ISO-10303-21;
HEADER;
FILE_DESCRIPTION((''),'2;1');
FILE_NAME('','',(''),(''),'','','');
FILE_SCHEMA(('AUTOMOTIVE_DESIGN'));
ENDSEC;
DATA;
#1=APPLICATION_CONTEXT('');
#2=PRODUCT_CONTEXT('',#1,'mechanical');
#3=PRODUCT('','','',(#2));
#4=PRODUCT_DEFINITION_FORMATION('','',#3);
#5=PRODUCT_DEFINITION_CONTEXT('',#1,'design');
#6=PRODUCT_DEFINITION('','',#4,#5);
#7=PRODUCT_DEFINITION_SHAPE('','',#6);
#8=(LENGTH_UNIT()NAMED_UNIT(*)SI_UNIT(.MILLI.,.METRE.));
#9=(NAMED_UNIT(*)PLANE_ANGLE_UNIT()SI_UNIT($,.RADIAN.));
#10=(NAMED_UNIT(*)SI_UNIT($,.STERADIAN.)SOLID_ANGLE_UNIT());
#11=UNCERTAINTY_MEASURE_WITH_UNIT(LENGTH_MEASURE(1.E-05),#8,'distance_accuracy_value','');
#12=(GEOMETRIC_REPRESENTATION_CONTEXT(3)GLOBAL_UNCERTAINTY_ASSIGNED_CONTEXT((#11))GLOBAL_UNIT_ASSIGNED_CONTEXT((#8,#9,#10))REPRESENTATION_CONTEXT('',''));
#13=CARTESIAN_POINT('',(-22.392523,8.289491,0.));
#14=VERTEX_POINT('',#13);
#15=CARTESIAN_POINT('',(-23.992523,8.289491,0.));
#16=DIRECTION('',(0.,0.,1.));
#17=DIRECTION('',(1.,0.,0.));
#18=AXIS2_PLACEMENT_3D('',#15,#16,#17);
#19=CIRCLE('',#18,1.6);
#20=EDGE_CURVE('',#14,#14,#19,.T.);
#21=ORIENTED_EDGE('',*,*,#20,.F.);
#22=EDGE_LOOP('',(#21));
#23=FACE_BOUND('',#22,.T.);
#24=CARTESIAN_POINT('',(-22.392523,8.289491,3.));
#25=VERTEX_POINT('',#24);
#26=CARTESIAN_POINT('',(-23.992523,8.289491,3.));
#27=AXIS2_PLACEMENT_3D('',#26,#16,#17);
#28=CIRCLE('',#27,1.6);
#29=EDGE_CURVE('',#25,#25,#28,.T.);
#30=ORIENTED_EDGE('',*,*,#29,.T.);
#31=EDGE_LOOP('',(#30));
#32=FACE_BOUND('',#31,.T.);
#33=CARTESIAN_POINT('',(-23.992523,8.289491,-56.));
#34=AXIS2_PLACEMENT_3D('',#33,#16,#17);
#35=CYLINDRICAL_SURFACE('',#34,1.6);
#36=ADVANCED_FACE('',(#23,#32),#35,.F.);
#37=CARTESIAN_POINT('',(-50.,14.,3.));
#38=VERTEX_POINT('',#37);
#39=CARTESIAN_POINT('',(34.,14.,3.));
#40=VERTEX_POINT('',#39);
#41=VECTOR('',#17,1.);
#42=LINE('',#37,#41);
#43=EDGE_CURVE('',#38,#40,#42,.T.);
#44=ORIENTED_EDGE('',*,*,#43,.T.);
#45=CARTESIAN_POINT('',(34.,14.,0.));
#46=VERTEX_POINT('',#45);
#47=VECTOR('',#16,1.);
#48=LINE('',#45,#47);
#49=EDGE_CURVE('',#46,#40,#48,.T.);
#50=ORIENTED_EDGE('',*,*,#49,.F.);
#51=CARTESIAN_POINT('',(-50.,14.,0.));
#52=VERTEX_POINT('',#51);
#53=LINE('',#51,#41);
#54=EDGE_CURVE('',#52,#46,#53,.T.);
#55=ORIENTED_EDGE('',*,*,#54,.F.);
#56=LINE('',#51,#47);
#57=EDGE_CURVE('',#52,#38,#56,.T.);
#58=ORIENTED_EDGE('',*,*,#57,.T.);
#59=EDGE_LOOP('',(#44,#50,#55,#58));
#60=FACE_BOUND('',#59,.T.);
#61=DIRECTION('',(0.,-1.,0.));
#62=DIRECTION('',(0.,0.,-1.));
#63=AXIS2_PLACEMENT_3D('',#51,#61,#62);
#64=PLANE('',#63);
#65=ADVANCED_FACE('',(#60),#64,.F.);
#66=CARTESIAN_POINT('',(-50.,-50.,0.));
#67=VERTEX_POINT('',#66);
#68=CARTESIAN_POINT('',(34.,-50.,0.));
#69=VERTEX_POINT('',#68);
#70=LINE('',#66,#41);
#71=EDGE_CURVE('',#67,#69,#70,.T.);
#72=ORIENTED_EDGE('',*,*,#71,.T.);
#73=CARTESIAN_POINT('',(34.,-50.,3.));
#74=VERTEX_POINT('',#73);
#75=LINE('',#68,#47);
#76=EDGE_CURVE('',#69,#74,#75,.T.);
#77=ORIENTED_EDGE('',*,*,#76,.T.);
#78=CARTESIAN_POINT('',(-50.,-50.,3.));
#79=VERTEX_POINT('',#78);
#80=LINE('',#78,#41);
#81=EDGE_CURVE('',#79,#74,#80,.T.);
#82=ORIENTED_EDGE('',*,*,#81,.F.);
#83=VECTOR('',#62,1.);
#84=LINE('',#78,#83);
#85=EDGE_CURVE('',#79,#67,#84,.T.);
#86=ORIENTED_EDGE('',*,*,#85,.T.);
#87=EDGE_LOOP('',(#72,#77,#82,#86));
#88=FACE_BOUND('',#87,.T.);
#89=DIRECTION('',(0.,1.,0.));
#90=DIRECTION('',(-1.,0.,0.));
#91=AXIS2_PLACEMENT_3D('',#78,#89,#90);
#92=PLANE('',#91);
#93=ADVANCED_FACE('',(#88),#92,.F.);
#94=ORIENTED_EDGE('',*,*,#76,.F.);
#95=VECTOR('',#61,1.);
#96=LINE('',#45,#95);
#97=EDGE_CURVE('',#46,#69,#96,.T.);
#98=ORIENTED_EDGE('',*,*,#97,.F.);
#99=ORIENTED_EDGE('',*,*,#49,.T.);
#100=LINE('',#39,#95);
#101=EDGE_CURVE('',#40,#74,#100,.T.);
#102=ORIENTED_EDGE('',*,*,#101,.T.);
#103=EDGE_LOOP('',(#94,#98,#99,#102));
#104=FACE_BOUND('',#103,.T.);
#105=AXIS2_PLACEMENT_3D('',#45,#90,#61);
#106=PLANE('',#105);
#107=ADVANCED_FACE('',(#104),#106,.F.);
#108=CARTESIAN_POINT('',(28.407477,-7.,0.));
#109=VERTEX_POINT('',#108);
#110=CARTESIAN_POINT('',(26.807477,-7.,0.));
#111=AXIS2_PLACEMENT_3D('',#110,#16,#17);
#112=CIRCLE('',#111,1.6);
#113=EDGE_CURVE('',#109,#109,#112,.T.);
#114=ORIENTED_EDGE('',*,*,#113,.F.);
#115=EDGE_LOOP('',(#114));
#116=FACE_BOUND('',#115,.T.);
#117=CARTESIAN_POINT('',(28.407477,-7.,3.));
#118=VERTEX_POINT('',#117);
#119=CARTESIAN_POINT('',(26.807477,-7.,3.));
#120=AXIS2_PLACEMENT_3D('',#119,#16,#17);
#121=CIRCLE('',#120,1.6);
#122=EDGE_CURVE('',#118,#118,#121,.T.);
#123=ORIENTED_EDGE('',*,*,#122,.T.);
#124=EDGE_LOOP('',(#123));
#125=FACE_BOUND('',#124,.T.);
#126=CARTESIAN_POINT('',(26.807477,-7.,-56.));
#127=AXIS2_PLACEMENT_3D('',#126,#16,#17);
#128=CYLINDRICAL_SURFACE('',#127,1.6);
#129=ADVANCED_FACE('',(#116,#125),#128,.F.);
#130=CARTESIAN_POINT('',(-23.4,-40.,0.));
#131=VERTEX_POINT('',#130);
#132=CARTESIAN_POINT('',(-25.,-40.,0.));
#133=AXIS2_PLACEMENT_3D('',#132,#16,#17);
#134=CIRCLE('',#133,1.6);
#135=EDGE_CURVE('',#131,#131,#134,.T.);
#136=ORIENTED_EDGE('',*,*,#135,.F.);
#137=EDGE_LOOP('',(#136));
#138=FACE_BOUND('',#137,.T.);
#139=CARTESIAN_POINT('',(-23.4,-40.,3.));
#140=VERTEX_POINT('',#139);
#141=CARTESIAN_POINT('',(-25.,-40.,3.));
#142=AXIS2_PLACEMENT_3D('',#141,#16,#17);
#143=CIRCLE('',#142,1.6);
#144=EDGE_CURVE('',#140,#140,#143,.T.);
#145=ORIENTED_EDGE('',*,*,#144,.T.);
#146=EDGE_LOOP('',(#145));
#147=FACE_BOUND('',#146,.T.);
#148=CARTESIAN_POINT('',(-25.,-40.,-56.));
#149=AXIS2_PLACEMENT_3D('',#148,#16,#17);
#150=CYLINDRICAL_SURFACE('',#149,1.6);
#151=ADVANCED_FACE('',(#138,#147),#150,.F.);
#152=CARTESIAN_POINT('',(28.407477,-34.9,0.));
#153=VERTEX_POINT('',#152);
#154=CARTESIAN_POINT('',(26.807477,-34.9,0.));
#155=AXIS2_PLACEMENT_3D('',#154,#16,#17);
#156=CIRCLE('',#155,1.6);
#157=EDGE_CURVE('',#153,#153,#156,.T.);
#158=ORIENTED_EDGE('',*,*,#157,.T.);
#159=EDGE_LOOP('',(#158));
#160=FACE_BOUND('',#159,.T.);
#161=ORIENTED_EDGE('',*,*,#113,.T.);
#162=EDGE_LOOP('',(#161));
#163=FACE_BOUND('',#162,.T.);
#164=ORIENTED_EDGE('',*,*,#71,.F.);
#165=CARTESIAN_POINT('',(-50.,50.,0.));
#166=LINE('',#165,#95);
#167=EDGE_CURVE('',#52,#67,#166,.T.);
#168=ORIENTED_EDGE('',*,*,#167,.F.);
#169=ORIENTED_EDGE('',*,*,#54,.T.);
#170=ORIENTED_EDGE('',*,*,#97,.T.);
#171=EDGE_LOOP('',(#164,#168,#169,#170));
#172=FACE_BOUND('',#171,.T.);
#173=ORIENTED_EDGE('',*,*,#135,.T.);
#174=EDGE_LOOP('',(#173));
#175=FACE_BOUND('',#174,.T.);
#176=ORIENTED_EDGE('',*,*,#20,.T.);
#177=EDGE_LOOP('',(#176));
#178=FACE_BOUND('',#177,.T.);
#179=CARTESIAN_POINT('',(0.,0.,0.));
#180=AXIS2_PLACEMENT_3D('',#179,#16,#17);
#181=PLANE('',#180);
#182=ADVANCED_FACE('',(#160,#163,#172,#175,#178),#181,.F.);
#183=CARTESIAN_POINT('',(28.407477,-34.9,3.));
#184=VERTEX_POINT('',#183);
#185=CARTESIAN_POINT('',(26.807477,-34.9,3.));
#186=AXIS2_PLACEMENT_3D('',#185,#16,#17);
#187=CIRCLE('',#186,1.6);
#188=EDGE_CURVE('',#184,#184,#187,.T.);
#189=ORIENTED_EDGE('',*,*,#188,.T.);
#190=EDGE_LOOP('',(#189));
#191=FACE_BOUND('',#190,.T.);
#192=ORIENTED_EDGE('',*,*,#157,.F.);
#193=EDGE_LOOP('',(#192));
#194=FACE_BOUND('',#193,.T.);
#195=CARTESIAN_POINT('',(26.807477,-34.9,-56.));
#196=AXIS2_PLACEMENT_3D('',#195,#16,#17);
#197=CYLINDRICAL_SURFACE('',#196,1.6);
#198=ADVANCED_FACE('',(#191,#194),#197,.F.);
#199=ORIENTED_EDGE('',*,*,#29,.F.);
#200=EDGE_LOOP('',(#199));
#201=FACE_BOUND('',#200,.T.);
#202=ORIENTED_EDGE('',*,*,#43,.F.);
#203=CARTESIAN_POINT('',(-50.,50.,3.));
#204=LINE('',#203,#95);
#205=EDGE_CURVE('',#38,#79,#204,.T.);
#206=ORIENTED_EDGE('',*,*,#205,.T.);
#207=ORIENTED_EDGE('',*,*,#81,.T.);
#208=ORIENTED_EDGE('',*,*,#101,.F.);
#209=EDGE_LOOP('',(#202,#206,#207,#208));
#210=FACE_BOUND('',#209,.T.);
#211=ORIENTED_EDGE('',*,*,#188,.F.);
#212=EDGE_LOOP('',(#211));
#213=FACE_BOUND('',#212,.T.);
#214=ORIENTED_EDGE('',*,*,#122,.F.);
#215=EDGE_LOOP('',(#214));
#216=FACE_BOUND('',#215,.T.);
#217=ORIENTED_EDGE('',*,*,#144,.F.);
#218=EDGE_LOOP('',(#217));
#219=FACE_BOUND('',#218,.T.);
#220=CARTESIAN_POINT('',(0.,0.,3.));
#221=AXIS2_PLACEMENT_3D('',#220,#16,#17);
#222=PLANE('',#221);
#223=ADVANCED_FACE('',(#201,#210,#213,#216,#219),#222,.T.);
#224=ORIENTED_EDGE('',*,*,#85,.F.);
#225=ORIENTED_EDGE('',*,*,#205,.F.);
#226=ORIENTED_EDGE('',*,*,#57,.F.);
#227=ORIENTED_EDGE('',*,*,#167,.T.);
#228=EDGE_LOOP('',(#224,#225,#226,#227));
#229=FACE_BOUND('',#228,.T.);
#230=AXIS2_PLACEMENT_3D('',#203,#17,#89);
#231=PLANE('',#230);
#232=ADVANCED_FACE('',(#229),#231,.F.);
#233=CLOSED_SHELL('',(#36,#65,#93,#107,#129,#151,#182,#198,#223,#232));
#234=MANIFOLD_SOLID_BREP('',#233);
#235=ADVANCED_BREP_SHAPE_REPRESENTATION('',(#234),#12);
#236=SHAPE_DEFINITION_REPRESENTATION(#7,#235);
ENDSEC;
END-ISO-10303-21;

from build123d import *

# Parameters (mm, degrees)
SKETCH1_W           = 100
SKETCH1_H           = 100
BOSS_EXTRUDE1_DEPTH = 3
SKETCH2_R           = 1.6
CUT_EXTRUDE1_DEPTH  = 59
CUT_EXTRUDE2_DEPTH  = 3


with BuildPart() as part:
    # Sketch1 → Boss-Extrude1 (new body)
    with BuildSketch(Plane.XY):
        Rectangle(SKETCH1_W, SKETCH1_H)
    extrude(amount=BOSS_EXTRUDE1_DEPTH)

    # Sketch2 → Cut-Extrude1 (cut)
    with BuildSketch(Plane.XY.offset(3)):
        with Locations((26.807477417, -34.9)):
            Circle(SKETCH2_R)
        with Locations((26.807477417, -7)):
            Circle(SKETCH2_R)
        with Locations((-25, -40)):
            Circle(SKETCH2_R)
        with Locations((-23.992522583, 8.289491499)):
            Circle(SKETCH2_R)
    extrude(amount=-CUT_EXTRUDE1_DEPTH, mode=Mode.SUBTRACT)

    # Sketch3 → Cut-Extrude2 (cut)
    with BuildSketch(Plane.XY.offset(3)):
        Polygon((-50, 14), (34, 14), (34, -50), (50, -50), (50, 50), (-50, 50), align=None)
    extrude(amount=-CUT_EXTRUDE2_DEPTH, mode=Mode.SUBTRACT)


solid = part.part
